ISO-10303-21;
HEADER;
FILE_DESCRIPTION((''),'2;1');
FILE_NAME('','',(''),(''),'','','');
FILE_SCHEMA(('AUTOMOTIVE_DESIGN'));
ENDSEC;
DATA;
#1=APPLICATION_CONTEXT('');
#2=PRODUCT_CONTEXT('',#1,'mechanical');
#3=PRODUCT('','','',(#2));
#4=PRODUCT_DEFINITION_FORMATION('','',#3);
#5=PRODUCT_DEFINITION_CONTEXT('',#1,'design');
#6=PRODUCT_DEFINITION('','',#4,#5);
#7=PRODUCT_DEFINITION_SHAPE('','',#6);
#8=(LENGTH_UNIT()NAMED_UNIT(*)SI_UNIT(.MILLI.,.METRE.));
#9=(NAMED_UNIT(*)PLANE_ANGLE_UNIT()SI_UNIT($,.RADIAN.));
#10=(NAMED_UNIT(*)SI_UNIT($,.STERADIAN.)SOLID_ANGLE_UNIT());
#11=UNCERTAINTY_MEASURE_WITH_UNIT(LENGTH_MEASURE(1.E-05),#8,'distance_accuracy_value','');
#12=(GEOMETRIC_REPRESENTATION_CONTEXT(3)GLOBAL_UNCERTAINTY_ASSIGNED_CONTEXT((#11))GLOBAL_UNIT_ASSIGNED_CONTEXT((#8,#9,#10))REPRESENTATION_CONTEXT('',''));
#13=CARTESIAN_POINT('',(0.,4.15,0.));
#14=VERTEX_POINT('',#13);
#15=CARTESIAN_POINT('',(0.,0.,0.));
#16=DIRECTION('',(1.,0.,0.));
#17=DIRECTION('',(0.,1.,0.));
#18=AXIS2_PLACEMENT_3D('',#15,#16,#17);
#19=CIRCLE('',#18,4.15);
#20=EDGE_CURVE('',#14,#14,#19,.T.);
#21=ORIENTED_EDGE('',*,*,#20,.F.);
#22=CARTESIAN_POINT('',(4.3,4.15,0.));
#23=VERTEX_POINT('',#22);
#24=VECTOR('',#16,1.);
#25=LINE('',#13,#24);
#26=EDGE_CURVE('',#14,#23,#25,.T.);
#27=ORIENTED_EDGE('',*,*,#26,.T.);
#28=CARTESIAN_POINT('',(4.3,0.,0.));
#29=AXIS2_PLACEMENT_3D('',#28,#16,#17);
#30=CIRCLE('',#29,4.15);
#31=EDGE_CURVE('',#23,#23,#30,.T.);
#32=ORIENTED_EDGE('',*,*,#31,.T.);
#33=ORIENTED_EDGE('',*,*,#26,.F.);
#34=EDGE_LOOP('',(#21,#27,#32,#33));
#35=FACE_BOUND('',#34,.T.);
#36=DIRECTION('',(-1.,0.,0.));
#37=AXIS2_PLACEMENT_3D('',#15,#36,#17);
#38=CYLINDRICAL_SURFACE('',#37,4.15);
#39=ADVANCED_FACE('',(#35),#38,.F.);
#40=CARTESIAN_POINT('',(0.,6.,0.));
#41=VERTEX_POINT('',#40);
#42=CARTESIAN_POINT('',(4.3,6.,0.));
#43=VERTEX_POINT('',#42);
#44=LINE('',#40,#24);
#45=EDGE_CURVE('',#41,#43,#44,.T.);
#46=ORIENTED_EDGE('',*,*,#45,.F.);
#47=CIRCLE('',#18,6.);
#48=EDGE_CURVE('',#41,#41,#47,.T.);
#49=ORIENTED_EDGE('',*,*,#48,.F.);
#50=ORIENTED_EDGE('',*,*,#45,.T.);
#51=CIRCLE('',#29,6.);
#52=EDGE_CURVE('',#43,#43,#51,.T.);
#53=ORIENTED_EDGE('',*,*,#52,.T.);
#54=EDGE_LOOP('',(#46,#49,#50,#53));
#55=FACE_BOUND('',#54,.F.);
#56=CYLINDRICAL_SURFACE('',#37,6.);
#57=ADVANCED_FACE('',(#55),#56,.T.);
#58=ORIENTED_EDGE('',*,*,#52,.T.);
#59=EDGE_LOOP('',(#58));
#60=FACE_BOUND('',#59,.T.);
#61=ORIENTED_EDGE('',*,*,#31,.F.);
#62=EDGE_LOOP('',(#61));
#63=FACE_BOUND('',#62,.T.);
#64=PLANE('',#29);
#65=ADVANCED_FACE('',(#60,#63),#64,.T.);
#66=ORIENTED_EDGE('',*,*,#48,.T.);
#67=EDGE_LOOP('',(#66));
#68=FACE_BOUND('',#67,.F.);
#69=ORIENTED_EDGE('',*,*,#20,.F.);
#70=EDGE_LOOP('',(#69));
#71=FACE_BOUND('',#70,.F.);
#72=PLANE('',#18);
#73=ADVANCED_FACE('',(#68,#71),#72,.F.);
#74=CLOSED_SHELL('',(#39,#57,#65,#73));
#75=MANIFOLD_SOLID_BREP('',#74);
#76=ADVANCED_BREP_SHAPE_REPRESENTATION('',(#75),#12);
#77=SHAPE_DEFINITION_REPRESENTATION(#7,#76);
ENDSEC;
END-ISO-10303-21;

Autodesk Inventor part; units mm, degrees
ref_plane "YZ Plane" through (0, 0, 0) normal (1, 0, 0) x (0, 1, 0)
ref_plane "XZ Plane" through (0, 0, 0) normal (0, 1, 0) x (-1, 0, 0)
ref_plane "XY Plane" through (0, 0, 0) normal (0, 0, 1) x (1, 0, 0)
sketch "スケッチ1" plane through (0, 0, 0) normal (1, 0, 0) x (0, 1, 0)
  circle A0 centre (0, 0) radius 4.15
  circle A1 centre (0, 0) radius 6
  dimension "d0" = 8.3
  dimension "d1" = 12
extrude "押し出し1" add sketch "スケッチ1" along normal blind 4.3
properties part number "RZvector-v1-3DP-P-Spacer-5" material "ABS プラスチック"
